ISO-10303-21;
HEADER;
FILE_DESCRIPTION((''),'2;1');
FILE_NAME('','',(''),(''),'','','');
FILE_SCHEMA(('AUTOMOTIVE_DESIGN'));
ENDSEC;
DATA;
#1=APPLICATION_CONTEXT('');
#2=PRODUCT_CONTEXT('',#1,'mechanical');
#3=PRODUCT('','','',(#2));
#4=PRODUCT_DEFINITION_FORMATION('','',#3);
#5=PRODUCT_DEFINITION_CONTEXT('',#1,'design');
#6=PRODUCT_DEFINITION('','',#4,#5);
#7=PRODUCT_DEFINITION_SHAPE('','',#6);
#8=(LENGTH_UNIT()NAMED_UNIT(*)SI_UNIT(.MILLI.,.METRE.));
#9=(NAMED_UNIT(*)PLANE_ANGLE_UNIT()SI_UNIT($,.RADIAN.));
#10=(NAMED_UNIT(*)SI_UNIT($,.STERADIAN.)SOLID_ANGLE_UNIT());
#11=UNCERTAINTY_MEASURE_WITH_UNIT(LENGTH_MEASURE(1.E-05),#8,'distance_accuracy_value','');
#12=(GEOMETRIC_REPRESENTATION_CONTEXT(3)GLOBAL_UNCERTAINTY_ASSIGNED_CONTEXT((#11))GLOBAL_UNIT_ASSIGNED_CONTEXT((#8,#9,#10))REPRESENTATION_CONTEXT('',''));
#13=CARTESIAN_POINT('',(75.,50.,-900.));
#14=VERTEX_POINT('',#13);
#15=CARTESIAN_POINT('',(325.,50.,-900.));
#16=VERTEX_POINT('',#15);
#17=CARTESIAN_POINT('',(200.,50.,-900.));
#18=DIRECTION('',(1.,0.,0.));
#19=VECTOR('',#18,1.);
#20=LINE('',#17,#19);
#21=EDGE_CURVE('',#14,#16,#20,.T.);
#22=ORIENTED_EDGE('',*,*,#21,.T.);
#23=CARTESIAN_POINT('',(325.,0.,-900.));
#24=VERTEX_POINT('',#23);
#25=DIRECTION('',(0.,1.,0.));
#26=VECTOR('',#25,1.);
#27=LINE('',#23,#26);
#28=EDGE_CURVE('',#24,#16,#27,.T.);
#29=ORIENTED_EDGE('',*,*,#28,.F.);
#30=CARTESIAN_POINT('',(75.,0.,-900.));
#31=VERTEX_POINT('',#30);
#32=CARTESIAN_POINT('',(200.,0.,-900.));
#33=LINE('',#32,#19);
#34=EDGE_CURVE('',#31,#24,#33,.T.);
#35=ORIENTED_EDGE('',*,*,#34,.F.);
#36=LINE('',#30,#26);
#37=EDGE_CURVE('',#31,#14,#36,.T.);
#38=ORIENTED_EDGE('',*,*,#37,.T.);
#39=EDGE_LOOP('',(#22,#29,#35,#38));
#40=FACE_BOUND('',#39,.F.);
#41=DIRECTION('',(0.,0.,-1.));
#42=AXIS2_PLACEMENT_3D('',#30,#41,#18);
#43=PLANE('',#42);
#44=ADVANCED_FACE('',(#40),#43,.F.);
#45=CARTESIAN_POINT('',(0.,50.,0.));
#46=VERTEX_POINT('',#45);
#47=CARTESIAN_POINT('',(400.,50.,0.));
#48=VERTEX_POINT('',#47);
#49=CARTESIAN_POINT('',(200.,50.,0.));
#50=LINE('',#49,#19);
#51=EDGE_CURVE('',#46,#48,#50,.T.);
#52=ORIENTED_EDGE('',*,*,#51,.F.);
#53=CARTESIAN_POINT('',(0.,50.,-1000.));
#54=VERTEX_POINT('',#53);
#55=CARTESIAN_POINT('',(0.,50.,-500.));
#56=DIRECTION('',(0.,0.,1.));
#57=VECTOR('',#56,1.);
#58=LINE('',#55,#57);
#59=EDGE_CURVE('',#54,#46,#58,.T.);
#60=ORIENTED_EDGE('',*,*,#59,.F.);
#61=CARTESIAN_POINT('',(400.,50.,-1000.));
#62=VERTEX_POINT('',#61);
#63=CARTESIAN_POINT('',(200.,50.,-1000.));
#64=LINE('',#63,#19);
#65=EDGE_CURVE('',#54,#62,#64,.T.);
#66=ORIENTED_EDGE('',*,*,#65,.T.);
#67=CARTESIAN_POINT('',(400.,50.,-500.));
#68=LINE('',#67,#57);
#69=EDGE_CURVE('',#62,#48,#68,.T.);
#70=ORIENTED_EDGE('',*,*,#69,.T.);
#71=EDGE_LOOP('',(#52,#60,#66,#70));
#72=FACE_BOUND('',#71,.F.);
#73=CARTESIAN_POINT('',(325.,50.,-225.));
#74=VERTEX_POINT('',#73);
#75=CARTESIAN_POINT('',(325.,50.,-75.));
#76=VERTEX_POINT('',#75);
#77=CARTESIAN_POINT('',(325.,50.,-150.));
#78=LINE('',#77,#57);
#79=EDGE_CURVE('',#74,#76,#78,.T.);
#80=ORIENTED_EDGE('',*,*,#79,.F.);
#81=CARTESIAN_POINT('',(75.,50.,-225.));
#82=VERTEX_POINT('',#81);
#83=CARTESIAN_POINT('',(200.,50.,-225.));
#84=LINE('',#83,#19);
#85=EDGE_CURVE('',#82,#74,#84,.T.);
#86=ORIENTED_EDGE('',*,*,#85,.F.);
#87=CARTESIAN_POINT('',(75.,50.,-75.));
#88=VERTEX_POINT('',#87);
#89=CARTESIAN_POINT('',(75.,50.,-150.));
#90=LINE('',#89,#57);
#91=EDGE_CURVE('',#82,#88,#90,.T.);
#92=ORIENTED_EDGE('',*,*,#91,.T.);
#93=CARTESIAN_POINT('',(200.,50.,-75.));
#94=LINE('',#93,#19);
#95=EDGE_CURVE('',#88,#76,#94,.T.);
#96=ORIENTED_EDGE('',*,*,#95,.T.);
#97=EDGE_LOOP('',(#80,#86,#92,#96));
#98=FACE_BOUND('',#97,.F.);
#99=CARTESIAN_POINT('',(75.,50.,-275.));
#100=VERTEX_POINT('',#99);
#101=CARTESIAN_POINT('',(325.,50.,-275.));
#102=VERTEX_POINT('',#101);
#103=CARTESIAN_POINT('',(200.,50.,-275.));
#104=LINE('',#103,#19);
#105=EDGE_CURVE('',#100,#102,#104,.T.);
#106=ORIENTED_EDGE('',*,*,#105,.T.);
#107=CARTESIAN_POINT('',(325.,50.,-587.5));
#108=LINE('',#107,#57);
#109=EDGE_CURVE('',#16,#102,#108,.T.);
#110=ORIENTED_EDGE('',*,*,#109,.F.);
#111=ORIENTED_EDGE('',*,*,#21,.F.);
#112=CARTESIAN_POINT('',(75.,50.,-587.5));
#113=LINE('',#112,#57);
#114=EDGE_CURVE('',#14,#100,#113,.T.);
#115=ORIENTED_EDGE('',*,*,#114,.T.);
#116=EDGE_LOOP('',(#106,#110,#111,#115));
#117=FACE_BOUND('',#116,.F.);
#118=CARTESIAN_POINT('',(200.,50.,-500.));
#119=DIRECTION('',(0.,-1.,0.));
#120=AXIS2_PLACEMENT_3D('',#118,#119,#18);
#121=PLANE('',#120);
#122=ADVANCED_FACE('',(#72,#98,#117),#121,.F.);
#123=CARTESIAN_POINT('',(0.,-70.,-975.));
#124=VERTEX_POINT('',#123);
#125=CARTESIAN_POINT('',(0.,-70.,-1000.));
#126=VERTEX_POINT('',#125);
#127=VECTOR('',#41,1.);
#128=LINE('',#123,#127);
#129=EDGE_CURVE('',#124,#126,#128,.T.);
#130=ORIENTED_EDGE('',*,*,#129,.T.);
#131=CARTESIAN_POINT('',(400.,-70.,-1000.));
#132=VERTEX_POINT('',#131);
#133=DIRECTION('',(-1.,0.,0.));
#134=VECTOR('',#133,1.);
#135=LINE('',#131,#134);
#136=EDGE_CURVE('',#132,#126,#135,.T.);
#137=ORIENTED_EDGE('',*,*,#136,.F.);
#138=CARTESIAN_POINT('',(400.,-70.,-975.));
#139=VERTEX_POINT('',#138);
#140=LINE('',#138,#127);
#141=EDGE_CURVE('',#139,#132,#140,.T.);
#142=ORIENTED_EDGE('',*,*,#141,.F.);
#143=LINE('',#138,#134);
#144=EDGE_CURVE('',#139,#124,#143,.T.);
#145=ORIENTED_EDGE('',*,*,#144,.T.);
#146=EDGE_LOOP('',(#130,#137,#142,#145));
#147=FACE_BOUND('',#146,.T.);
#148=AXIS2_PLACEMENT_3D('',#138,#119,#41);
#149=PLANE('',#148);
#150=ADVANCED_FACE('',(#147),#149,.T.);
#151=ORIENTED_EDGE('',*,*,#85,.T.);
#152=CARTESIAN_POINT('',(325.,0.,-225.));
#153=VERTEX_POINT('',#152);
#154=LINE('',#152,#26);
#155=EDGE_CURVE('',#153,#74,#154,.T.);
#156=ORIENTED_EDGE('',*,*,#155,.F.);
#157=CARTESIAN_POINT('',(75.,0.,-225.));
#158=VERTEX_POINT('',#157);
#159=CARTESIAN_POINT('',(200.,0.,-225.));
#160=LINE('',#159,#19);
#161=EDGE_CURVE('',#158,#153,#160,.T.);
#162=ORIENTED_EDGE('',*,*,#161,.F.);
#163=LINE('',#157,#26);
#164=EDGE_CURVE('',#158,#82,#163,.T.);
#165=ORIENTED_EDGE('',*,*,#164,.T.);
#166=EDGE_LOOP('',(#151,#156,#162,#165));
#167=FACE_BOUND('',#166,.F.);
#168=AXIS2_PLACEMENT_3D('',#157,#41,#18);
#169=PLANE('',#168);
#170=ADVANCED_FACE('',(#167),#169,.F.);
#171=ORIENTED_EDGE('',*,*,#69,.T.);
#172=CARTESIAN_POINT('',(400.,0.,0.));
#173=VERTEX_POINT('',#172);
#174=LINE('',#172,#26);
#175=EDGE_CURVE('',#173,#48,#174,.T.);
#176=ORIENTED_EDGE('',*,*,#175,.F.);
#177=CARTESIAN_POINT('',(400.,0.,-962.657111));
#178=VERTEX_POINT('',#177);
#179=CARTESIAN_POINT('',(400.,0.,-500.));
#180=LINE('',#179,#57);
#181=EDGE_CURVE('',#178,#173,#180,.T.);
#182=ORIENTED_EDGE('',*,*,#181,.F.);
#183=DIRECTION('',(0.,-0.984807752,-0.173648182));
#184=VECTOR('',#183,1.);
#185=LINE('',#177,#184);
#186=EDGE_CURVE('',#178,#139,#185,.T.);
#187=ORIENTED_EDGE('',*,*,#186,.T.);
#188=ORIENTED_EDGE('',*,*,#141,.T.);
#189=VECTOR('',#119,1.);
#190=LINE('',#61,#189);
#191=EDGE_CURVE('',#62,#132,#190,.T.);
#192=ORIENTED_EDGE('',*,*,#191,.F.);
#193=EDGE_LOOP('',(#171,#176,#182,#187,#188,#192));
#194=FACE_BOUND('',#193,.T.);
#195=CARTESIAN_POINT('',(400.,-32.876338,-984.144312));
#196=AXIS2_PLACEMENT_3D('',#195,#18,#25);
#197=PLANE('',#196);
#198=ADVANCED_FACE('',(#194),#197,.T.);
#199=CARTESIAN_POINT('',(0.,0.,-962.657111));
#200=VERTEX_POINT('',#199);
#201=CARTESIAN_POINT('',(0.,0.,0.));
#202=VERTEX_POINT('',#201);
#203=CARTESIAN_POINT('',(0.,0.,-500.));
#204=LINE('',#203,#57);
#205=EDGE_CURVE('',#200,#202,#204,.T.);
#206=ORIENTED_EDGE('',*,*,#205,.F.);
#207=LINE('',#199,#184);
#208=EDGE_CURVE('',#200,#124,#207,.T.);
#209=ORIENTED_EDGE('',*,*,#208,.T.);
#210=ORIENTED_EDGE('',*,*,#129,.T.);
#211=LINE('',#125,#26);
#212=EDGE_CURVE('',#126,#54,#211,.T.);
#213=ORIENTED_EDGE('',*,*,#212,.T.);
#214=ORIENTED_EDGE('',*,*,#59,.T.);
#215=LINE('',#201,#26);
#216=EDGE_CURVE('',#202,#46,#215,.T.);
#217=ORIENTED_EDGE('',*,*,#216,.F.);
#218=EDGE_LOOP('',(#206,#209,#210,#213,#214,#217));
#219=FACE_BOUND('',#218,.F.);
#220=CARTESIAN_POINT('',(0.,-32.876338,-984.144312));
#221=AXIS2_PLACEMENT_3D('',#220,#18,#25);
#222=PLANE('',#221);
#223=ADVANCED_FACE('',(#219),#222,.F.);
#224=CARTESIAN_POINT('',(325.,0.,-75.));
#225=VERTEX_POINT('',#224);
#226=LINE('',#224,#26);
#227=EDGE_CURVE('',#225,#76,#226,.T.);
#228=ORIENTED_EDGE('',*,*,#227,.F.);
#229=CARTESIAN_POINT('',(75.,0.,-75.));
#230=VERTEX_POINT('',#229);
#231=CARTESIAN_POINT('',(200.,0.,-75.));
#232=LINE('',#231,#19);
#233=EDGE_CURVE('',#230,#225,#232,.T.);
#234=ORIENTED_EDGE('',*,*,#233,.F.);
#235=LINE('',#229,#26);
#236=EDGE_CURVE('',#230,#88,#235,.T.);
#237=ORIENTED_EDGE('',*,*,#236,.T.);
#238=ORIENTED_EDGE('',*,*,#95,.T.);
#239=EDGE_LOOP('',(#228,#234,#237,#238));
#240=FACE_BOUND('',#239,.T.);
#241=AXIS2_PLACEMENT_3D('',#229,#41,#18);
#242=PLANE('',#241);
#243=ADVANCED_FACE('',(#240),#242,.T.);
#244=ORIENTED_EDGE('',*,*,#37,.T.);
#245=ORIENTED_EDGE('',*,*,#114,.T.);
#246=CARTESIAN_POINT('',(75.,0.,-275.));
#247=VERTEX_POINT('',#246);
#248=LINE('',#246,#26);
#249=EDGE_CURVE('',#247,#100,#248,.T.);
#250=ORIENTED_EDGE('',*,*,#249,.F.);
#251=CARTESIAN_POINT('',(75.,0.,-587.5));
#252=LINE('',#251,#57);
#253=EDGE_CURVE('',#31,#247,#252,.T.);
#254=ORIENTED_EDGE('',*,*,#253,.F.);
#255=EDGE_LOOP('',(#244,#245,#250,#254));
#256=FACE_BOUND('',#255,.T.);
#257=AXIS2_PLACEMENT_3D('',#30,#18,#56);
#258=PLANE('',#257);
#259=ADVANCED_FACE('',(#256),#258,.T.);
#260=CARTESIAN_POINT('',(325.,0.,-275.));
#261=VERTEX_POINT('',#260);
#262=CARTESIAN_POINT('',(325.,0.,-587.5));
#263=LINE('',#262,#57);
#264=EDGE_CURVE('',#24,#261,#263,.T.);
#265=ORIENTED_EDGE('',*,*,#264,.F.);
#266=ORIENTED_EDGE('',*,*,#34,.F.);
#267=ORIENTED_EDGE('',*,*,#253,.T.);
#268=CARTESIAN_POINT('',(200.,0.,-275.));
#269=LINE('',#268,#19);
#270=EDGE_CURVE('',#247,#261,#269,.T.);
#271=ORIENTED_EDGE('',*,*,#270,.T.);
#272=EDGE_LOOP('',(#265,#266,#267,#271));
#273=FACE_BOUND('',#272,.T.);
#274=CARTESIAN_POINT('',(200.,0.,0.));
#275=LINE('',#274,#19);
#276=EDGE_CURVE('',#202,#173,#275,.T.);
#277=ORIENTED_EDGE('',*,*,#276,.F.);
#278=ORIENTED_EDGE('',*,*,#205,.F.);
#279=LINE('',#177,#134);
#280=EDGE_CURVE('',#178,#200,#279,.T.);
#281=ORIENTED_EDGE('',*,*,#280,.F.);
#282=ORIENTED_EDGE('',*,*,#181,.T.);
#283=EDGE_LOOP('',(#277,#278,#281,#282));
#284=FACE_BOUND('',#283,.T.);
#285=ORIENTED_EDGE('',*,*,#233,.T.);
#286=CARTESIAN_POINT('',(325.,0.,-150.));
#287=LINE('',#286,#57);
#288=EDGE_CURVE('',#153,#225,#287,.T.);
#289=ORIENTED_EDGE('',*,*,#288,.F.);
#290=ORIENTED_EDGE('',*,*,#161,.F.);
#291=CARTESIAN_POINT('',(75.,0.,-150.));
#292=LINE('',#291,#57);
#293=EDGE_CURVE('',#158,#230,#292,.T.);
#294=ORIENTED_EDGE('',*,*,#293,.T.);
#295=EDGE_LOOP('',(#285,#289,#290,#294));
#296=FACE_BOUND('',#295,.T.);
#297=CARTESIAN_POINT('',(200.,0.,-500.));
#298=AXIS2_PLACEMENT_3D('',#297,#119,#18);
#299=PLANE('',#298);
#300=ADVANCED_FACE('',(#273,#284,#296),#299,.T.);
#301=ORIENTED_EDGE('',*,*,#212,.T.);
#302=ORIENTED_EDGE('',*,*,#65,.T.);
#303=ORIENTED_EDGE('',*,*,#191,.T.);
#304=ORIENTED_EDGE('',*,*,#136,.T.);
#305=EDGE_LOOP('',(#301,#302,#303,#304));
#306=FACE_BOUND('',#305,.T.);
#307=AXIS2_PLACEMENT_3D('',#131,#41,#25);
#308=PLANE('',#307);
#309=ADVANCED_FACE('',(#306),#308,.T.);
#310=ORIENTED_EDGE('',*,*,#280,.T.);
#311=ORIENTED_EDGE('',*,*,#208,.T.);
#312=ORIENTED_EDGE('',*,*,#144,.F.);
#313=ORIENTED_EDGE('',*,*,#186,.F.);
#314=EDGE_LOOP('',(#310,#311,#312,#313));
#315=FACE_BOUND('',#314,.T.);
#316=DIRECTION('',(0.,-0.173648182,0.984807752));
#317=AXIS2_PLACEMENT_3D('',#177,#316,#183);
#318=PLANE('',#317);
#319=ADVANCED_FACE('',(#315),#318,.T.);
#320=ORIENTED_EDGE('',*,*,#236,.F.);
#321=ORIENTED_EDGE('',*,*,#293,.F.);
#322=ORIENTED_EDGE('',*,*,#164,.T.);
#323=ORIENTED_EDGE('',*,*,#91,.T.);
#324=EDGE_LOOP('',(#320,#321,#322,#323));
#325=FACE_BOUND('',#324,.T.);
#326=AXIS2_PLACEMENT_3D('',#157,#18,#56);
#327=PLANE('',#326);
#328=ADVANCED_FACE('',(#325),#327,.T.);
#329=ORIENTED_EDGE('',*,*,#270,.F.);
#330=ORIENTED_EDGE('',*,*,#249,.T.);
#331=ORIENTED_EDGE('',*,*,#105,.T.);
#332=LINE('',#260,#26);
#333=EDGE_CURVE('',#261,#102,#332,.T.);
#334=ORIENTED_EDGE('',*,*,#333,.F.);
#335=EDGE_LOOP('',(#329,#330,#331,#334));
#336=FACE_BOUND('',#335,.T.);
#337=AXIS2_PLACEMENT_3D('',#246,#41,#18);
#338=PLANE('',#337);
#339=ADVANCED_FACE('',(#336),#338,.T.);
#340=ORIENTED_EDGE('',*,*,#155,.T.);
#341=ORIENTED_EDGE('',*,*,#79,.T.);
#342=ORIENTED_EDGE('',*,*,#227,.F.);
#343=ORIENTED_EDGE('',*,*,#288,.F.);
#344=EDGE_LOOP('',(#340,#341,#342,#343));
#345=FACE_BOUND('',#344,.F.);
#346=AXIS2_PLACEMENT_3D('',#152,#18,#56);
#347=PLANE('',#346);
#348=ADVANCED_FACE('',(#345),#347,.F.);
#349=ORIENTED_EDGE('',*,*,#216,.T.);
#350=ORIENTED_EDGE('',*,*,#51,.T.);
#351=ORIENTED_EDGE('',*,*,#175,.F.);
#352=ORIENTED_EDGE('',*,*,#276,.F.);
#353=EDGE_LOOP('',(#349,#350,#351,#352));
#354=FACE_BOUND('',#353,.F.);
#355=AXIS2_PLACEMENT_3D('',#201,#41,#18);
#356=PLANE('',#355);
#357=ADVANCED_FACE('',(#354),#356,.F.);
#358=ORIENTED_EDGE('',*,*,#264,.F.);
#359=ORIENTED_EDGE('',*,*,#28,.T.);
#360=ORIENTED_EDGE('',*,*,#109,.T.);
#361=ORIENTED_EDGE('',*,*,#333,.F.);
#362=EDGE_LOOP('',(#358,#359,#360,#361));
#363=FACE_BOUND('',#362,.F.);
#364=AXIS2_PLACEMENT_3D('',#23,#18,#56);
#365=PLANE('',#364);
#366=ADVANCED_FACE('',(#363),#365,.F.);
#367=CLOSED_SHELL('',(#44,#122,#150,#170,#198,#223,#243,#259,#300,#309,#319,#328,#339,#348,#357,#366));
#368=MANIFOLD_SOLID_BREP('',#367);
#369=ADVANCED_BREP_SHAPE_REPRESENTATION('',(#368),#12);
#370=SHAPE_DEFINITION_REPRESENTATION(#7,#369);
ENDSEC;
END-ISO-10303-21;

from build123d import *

# Parameters (mm, degrees)
F0_W     = 400
F0_H     = 1000
F0_W_2   = 250
F0_H_2   = 625
F0_H_3   = 150
F1_DEPTH = 50
F3_DEPTH = 400


with BuildPart() as f1:
    # F0 (on Front) → F1 (new body)
    with BuildSketch(Plane.XZ):
        with Locations((200, -500)):
            Rectangle(F0_W, F0_H)
        with Locations((200, -587.5)):
            Rectangle(F0_W_2, F0_H_2, mode=Mode.SUBTRACT)
        with Locations((200, -150)):
            Rectangle(F0_W_2, F0_H_3, mode=Mode.SUBTRACT)
    extrude(amount=-F1_DEPTH)

    # F2 (on face) → F3 (join)
    with BuildSketch(Plane.YZ.offset(400)):
        Polygon((-70, -1000), (0, -1000), (0, -962.657111), (-70, -975), align=None)
    extrude(amount=-F3_DEPTH)


solid = f1.part
